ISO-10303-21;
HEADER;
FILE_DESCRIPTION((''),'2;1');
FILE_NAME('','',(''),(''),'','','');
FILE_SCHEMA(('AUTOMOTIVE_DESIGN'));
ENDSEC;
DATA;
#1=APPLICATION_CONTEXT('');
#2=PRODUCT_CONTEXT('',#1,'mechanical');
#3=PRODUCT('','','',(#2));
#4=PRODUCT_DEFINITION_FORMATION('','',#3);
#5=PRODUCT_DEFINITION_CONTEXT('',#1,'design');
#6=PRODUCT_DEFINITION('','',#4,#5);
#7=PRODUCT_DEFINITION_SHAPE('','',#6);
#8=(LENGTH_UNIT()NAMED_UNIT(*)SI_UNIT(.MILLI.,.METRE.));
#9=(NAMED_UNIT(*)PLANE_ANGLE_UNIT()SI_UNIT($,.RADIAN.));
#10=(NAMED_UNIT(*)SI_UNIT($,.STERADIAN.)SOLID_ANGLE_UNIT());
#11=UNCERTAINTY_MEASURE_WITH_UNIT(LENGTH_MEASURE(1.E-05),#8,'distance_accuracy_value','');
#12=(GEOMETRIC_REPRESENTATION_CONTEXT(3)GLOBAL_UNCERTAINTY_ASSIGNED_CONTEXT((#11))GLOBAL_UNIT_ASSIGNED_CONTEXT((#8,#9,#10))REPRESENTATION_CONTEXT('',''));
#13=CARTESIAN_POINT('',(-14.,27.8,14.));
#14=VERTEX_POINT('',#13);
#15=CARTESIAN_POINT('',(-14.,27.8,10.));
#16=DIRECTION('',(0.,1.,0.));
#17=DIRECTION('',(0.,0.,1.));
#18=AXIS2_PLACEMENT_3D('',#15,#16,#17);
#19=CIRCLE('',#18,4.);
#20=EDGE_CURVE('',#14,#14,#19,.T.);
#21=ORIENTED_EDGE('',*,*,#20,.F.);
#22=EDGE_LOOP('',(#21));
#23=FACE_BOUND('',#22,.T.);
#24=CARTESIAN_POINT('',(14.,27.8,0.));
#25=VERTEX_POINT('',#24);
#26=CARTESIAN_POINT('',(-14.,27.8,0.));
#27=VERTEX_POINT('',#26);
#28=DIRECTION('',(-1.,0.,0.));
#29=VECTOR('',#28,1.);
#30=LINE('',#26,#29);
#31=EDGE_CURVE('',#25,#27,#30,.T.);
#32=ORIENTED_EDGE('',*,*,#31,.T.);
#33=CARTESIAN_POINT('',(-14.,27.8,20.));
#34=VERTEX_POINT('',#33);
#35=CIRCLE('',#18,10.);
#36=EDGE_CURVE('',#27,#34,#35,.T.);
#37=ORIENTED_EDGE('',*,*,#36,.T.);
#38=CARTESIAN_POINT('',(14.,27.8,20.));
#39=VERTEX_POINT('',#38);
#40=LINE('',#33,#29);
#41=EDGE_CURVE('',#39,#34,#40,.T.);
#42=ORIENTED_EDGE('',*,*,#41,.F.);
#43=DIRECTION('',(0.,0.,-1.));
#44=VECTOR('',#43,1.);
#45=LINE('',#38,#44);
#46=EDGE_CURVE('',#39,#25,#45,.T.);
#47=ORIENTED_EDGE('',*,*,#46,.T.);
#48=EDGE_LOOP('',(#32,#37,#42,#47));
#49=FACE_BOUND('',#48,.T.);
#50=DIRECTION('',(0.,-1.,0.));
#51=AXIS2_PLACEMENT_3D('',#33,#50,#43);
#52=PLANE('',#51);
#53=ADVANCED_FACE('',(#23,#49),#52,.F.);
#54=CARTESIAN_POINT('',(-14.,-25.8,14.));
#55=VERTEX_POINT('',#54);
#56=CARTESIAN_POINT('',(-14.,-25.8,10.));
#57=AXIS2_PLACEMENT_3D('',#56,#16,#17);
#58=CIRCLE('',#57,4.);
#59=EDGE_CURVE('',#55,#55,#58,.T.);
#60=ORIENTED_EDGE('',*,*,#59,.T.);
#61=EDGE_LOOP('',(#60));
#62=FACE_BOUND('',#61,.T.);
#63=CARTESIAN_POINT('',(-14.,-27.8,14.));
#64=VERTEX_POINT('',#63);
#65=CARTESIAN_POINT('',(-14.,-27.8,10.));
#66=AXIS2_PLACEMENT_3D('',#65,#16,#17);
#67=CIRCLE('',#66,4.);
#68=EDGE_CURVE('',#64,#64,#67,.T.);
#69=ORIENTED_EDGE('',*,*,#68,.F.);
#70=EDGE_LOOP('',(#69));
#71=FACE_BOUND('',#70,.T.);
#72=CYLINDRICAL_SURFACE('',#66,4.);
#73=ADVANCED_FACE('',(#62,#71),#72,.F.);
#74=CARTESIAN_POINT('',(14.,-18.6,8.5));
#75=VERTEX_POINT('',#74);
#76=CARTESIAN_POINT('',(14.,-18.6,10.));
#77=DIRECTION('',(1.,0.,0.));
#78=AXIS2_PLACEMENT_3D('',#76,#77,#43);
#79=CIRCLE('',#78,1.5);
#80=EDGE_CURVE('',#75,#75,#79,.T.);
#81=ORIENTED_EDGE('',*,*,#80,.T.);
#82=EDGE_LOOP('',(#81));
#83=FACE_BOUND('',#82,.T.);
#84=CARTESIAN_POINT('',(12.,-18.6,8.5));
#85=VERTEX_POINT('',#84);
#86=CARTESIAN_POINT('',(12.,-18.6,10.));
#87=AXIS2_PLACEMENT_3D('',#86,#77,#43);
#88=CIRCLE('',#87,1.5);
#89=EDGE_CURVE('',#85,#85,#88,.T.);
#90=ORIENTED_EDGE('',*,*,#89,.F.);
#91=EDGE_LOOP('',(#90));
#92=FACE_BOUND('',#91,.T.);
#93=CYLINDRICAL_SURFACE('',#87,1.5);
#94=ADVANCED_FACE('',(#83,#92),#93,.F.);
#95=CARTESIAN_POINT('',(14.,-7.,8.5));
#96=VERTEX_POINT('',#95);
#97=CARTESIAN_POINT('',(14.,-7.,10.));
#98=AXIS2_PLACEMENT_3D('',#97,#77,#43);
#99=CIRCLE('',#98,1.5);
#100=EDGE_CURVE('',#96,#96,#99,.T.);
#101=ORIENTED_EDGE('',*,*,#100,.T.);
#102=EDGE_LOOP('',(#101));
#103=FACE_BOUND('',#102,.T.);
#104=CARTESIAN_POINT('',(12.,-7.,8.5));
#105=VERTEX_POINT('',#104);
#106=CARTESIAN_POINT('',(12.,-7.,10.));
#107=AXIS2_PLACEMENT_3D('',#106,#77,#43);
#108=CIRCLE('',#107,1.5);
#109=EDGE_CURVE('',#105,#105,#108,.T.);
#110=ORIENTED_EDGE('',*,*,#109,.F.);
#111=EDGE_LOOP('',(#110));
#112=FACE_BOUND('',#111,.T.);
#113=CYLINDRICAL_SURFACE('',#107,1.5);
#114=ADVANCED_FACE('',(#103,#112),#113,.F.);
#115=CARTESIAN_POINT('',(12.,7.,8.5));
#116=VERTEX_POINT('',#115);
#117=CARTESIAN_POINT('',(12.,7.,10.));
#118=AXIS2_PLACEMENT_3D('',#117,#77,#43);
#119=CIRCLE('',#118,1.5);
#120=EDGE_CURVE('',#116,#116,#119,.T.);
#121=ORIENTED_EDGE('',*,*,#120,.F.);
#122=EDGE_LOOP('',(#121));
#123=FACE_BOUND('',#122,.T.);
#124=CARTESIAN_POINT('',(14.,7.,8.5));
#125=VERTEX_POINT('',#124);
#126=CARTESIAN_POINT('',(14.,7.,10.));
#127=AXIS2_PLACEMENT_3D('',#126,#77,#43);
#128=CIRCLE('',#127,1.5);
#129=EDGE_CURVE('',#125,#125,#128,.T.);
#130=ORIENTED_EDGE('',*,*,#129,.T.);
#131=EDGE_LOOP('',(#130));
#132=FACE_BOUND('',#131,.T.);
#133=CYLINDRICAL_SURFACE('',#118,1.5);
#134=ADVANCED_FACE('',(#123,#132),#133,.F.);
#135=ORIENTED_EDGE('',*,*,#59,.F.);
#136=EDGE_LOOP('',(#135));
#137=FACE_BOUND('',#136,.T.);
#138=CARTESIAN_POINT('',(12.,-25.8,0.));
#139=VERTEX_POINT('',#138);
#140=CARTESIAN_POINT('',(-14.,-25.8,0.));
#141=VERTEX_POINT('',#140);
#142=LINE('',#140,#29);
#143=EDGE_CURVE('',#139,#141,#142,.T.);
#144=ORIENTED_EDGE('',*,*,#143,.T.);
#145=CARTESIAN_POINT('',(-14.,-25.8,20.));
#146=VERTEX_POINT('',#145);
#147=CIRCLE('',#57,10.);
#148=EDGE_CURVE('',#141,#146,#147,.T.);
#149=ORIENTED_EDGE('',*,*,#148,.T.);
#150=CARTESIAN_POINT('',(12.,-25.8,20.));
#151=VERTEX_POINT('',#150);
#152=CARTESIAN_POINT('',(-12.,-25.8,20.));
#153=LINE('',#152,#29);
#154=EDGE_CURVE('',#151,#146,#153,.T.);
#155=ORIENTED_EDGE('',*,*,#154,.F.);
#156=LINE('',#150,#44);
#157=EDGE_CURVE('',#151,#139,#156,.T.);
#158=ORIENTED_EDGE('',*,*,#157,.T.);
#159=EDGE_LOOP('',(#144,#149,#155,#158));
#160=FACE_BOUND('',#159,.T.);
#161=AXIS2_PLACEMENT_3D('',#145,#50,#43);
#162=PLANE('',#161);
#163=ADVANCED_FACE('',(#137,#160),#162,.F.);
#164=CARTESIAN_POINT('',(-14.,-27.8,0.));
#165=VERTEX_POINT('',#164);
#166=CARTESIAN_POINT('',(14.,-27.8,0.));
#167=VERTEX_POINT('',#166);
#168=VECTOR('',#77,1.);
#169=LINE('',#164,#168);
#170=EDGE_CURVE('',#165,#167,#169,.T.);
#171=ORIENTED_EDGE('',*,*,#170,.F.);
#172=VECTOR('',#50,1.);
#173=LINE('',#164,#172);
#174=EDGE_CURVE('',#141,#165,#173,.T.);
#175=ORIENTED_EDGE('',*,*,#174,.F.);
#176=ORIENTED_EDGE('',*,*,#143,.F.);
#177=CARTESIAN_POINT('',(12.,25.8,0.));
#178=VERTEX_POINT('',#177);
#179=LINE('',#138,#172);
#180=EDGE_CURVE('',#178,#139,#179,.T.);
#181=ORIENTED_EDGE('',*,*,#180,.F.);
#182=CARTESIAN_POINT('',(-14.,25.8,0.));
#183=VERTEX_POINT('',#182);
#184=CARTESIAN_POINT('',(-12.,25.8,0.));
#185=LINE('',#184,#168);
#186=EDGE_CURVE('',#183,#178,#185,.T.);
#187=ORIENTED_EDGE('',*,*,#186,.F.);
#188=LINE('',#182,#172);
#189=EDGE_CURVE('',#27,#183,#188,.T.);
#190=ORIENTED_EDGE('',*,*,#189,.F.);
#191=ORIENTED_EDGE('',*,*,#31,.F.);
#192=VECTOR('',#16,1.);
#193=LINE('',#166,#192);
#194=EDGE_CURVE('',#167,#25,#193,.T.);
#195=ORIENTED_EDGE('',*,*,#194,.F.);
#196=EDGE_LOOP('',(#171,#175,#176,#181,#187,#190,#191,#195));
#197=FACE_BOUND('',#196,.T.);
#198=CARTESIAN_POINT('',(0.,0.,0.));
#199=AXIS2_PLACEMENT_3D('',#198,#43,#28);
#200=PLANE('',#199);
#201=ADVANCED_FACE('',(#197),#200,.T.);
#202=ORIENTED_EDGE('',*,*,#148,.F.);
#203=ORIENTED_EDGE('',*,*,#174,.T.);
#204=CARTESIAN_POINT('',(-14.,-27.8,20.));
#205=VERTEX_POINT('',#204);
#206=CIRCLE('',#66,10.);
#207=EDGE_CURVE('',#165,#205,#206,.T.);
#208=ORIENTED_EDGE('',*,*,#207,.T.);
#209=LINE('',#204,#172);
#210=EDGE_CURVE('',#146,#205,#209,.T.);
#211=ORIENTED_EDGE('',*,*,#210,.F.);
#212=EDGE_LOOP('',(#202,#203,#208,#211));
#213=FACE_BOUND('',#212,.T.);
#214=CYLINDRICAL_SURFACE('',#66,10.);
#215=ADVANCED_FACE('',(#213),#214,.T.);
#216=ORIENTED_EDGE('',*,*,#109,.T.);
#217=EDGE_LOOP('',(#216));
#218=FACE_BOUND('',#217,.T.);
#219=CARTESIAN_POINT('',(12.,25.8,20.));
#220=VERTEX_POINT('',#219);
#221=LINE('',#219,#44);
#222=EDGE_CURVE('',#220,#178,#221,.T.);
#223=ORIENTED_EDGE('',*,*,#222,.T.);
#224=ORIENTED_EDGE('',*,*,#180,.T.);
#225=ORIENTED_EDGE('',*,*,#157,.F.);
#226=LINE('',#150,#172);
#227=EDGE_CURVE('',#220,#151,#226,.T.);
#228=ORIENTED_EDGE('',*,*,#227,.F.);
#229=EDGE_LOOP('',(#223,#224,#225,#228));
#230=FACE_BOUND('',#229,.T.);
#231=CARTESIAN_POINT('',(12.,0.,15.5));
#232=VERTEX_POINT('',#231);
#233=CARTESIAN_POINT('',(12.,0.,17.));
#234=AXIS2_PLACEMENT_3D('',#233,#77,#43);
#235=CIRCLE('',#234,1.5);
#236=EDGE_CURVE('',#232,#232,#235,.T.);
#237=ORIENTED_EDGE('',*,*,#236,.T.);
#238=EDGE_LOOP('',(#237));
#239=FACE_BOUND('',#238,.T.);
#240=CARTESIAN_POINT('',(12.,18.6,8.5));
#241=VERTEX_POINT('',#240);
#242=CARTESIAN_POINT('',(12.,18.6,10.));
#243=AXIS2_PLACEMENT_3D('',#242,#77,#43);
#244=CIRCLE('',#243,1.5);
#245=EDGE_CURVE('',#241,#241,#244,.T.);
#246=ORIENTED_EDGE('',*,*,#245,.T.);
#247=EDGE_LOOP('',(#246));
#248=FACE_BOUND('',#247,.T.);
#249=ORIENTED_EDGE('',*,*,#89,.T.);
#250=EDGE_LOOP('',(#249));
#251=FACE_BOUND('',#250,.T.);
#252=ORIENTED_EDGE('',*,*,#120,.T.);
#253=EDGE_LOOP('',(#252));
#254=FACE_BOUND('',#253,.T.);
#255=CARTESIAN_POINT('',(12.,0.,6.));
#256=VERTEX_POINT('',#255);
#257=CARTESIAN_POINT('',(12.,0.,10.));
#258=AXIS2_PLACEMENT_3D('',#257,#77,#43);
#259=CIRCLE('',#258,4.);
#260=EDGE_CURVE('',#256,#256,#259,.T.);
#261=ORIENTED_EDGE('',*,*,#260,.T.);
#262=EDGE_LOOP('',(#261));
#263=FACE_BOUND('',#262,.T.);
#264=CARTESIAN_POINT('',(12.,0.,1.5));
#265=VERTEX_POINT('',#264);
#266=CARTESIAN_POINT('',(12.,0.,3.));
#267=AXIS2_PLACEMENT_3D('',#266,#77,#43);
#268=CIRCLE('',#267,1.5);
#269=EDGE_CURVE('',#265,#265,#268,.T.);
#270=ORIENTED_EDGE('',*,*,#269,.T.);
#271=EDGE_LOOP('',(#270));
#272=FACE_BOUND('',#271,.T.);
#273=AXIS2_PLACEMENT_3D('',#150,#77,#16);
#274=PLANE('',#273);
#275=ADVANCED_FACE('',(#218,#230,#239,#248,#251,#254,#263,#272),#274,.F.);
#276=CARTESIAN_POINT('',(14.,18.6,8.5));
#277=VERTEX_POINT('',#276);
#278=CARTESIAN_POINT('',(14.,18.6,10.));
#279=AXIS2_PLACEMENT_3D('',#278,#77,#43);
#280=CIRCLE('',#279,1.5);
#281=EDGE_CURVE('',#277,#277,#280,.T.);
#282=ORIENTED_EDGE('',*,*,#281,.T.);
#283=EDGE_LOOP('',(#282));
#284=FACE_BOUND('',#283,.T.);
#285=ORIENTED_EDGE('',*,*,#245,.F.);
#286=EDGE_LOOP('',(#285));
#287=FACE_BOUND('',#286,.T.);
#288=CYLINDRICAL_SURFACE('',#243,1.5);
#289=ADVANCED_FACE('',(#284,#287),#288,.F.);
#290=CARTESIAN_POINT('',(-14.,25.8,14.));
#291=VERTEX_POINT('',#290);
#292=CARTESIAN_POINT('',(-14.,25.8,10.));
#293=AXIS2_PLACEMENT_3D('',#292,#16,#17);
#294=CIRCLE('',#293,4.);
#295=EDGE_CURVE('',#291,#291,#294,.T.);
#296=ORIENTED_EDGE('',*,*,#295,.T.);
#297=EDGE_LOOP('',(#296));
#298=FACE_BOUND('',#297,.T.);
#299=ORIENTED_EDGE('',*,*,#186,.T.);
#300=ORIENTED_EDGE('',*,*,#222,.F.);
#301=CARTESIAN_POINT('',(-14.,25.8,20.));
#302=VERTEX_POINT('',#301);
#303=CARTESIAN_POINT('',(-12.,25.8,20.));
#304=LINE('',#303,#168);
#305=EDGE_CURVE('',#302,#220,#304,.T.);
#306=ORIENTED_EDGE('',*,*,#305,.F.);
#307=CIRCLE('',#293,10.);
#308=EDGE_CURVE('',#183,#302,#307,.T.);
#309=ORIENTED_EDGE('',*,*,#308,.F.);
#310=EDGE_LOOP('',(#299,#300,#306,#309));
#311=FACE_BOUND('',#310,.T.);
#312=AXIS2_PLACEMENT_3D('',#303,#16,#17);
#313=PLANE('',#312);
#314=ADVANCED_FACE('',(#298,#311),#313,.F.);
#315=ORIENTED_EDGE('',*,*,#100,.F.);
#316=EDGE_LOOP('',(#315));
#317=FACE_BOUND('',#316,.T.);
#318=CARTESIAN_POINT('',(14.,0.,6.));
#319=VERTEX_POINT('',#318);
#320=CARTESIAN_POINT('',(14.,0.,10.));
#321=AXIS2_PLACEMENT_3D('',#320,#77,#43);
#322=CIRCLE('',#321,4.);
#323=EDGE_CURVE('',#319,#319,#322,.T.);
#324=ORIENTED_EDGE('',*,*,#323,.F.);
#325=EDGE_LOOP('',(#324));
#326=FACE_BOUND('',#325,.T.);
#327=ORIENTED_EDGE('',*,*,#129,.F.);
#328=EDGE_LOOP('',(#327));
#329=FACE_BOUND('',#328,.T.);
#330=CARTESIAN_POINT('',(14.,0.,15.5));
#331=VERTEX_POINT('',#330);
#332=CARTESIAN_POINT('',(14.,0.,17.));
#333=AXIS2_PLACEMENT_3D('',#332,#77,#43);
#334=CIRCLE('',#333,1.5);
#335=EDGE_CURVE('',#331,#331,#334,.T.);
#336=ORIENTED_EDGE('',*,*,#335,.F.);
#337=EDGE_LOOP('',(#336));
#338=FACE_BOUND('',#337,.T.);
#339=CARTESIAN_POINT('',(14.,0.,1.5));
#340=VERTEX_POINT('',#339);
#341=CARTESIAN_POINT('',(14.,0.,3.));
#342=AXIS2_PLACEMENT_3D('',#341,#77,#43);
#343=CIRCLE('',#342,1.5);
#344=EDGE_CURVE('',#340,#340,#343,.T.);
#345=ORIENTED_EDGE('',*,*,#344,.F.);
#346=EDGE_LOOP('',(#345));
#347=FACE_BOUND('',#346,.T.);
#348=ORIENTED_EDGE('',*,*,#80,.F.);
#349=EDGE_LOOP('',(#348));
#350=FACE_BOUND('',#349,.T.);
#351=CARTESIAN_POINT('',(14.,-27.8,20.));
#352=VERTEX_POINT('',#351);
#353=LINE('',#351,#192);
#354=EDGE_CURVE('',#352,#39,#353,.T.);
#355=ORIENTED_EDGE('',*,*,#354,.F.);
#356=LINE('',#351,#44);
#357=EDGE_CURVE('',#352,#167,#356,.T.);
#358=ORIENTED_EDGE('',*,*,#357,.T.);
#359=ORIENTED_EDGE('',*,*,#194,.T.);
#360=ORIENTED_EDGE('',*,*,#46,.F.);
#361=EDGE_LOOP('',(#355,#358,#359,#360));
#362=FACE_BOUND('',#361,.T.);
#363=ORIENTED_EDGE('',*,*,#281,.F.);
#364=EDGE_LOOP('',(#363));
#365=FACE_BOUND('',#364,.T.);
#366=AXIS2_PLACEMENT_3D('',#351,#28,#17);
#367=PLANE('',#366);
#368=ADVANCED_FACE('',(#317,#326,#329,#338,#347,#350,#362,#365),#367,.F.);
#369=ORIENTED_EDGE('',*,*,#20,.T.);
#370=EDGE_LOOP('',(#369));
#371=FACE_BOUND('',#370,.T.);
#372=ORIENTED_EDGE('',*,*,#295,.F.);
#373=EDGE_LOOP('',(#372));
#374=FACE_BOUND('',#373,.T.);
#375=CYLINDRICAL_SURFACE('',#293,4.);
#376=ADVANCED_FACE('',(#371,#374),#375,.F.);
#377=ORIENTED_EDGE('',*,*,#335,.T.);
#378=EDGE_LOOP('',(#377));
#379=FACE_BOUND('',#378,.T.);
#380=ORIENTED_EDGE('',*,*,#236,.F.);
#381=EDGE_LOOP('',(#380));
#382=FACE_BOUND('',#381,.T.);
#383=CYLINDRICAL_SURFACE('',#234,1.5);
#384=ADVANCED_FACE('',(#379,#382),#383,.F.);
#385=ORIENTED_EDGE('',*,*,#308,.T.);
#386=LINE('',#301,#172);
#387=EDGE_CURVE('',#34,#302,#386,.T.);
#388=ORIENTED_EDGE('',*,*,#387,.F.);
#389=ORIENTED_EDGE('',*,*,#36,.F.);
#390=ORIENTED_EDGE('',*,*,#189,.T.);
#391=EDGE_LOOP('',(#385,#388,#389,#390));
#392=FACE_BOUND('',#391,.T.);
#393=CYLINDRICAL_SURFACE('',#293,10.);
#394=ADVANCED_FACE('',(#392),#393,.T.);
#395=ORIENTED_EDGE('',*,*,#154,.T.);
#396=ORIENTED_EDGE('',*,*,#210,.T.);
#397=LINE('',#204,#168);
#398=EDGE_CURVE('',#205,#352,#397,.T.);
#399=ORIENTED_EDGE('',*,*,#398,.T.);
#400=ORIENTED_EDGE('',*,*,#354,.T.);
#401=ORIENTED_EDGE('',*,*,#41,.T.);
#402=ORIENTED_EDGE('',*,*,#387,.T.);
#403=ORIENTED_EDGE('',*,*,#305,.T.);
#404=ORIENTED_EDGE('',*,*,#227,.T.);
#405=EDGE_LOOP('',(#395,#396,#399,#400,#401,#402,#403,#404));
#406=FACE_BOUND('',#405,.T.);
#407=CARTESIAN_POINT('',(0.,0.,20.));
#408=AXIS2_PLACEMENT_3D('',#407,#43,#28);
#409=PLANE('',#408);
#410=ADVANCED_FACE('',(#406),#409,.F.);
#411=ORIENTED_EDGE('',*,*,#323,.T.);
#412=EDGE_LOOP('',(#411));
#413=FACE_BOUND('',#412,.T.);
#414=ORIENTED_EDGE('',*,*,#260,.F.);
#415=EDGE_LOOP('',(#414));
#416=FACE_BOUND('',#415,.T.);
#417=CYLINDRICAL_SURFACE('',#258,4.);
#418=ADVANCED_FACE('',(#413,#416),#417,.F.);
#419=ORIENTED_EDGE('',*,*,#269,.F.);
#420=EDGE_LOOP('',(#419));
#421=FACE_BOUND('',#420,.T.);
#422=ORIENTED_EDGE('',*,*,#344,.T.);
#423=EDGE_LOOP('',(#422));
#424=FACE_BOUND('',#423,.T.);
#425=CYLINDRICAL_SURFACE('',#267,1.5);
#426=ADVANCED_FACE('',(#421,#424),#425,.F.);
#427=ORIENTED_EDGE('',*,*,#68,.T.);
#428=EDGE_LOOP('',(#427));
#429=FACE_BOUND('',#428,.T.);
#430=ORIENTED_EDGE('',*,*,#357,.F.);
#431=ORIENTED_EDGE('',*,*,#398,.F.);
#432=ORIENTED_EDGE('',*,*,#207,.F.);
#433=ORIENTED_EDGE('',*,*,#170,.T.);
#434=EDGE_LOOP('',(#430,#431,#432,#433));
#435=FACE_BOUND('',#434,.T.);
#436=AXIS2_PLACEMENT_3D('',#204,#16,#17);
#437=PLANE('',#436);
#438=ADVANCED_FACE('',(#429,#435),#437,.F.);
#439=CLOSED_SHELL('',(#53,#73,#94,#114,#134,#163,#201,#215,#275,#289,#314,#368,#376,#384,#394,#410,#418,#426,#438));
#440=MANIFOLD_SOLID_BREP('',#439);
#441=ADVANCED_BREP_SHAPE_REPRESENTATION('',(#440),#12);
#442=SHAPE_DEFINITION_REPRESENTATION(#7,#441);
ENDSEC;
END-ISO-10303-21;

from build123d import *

# Parameters (mm, degrees)
SALIENTE_EXTRUIR1_DEPTH = 20
SALIENTE_EXTRUIR2_DEPTH = 2
SALIENTE_EXTRUIR3_DEPTH = 2
CROQUIS4_R              = 4
CORTAR_EXTRUIR1_DEPTH   = 2
CROQUIS5_R              = 4
CORTAR_EXTRUIR2_DEPTH   = 2
CORTAR_EXTRUIR3_DEPTH   = 2
CROQUIS7_R              = 1.5
CORTAR_EXTRUIR4_DEPTH   = 2
CROQUIS8_R              = 1.5
CORTAR_EXTRUIR5_DEPTH   = 2


with BuildPart() as part:
    # Croquis1 → Saliente-Extruir1 (new body)
    with BuildSketch(Plane.XY):
        Polygon((-12, 25.8), (12, 25.8), (12, -25.8), (-12, -25.8), (-14, -25.8), (-14, -27.8), (14, -27.8), (14, 27.8), (-14, 27.8), (-14, 25.8), align=None)
    extrude(amount=SALIENTE_EXTRUIR1_DEPTH)

    # Croquis2 → Saliente-Extruir2 (add)
    with BuildSketch(Plane(origin=(0, 27.8, 0), x_dir=(1, 0, 0), z_dir=(0, 1, 0))):
        with BuildLine():
            Line((-14, -20), (-14, 0))
            ThreePointArc((-14, 0), (-24, -10), (-14, -20))
        make_face()
    extrude(amount=-SALIENTE_EXTRUIR2_DEPTH)

    # Croquis3 → Saliente-Extruir3 (add)
    with BuildSketch(Plane(origin=(0, -25.8, 0), x_dir=(1, 0, 0), z_dir=(0, 1, 0))):
        with BuildLine():
            Line((-14, -20), (-14, 0))
            ThreePointArc((-14, 0), (-24, -10), (-14, -20))
        make_face()
    extrude(amount=-SALIENTE_EXTRUIR3_DEPTH)

    # Croquis4 → Cortar-Extruir1 (cut)
    with BuildSketch(Plane(origin=(0, 27.8, 0), x_dir=(1, 0, 0), z_dir=(0, 1, 0))):
        with Locations((-14, -10)):
            Circle(CROQUIS4_R)
    extrude(amount=-CORTAR_EXTRUIR1_DEPTH, mode=Mode.SUBTRACT)

    # Croquis5 → Cortar-Extruir2 (cut)
    with BuildSketch(Plane(origin=(0, -25.8, 0), x_dir=(1, 0, 0), z_dir=(0, 1, 0))):
        with Locations((-14, -10)):
            Circle(CROQUIS5_R)
    extrude(amount=-CORTAR_EXTRUIR2_DEPTH, mode=Mode.SUBTRACT)

    # Croquis6 → Cortar-Extruir3 (cut)
    with BuildSketch(Plane(origin=(14, 0, 0), x_dir=(0, 0, -1), z_dir=(1, 0, 0))):
        with BuildLine():
            ThreePointArc((-6, 0), (-7.699530032, 3.272283289), (-11.353918963, 3.763894717))
            Line((-11.353918963, 3.763894717), (-8.646081037, -3.763894717))
            ThreePointArc((-8.646081037, -3.763894717), (-6.727716711, -2.300469968), (-6, 0))
        make_face()
        with BuildLine():
            Line((-8.646081037, -3.763894717), (-11.353918963, 3.763894717))
            ThreePointArc((-11.353918963, 3.763894717), (-13.763894717, -1.353918963), (-8.646081037, -3.763894717))
        make_face()
    extrude(amount=-CORTAR_EXTRUIR3_DEPTH, mode=Mode.SUBTRACT)

    # Croquis7 → Cortar-Extruir4 (cut)
    with BuildSketch(Plane(origin=(14, 0, 0), x_dir=(0, 0, -1), z_dir=(1, 0, 0))):
        with Locations((-10, 7)):
            Circle(CROQUIS7_R)
        with Locations((-3, 0)):
            Circle(CROQUIS7_R)
        with Locations((-10, -7)):
            Circle(CROQUIS7_R)
        with Locations((-17, 0)):
            Circle(CROQUIS7_R)
    extrude(amount=-CORTAR_EXTRUIR4_DEPTH, mode=Mode.SUBTRACT)

    # Croquis8 → Cortar-Extruir5 (cut)
    with BuildSketch(Plane(origin=(14, 0, 0), x_dir=(0, 0, -1), z_dir=(1, 0, 0))):
        with Locations((-10, 18.6)):
            Circle(CROQUIS8_R)
        with Locations((-10, -18.6)):
            Circle(CROQUIS8_R)
    extrude(amount=-CORTAR_EXTRUIR5_DEPTH, mode=Mode.SUBTRACT)


solid = part.part
